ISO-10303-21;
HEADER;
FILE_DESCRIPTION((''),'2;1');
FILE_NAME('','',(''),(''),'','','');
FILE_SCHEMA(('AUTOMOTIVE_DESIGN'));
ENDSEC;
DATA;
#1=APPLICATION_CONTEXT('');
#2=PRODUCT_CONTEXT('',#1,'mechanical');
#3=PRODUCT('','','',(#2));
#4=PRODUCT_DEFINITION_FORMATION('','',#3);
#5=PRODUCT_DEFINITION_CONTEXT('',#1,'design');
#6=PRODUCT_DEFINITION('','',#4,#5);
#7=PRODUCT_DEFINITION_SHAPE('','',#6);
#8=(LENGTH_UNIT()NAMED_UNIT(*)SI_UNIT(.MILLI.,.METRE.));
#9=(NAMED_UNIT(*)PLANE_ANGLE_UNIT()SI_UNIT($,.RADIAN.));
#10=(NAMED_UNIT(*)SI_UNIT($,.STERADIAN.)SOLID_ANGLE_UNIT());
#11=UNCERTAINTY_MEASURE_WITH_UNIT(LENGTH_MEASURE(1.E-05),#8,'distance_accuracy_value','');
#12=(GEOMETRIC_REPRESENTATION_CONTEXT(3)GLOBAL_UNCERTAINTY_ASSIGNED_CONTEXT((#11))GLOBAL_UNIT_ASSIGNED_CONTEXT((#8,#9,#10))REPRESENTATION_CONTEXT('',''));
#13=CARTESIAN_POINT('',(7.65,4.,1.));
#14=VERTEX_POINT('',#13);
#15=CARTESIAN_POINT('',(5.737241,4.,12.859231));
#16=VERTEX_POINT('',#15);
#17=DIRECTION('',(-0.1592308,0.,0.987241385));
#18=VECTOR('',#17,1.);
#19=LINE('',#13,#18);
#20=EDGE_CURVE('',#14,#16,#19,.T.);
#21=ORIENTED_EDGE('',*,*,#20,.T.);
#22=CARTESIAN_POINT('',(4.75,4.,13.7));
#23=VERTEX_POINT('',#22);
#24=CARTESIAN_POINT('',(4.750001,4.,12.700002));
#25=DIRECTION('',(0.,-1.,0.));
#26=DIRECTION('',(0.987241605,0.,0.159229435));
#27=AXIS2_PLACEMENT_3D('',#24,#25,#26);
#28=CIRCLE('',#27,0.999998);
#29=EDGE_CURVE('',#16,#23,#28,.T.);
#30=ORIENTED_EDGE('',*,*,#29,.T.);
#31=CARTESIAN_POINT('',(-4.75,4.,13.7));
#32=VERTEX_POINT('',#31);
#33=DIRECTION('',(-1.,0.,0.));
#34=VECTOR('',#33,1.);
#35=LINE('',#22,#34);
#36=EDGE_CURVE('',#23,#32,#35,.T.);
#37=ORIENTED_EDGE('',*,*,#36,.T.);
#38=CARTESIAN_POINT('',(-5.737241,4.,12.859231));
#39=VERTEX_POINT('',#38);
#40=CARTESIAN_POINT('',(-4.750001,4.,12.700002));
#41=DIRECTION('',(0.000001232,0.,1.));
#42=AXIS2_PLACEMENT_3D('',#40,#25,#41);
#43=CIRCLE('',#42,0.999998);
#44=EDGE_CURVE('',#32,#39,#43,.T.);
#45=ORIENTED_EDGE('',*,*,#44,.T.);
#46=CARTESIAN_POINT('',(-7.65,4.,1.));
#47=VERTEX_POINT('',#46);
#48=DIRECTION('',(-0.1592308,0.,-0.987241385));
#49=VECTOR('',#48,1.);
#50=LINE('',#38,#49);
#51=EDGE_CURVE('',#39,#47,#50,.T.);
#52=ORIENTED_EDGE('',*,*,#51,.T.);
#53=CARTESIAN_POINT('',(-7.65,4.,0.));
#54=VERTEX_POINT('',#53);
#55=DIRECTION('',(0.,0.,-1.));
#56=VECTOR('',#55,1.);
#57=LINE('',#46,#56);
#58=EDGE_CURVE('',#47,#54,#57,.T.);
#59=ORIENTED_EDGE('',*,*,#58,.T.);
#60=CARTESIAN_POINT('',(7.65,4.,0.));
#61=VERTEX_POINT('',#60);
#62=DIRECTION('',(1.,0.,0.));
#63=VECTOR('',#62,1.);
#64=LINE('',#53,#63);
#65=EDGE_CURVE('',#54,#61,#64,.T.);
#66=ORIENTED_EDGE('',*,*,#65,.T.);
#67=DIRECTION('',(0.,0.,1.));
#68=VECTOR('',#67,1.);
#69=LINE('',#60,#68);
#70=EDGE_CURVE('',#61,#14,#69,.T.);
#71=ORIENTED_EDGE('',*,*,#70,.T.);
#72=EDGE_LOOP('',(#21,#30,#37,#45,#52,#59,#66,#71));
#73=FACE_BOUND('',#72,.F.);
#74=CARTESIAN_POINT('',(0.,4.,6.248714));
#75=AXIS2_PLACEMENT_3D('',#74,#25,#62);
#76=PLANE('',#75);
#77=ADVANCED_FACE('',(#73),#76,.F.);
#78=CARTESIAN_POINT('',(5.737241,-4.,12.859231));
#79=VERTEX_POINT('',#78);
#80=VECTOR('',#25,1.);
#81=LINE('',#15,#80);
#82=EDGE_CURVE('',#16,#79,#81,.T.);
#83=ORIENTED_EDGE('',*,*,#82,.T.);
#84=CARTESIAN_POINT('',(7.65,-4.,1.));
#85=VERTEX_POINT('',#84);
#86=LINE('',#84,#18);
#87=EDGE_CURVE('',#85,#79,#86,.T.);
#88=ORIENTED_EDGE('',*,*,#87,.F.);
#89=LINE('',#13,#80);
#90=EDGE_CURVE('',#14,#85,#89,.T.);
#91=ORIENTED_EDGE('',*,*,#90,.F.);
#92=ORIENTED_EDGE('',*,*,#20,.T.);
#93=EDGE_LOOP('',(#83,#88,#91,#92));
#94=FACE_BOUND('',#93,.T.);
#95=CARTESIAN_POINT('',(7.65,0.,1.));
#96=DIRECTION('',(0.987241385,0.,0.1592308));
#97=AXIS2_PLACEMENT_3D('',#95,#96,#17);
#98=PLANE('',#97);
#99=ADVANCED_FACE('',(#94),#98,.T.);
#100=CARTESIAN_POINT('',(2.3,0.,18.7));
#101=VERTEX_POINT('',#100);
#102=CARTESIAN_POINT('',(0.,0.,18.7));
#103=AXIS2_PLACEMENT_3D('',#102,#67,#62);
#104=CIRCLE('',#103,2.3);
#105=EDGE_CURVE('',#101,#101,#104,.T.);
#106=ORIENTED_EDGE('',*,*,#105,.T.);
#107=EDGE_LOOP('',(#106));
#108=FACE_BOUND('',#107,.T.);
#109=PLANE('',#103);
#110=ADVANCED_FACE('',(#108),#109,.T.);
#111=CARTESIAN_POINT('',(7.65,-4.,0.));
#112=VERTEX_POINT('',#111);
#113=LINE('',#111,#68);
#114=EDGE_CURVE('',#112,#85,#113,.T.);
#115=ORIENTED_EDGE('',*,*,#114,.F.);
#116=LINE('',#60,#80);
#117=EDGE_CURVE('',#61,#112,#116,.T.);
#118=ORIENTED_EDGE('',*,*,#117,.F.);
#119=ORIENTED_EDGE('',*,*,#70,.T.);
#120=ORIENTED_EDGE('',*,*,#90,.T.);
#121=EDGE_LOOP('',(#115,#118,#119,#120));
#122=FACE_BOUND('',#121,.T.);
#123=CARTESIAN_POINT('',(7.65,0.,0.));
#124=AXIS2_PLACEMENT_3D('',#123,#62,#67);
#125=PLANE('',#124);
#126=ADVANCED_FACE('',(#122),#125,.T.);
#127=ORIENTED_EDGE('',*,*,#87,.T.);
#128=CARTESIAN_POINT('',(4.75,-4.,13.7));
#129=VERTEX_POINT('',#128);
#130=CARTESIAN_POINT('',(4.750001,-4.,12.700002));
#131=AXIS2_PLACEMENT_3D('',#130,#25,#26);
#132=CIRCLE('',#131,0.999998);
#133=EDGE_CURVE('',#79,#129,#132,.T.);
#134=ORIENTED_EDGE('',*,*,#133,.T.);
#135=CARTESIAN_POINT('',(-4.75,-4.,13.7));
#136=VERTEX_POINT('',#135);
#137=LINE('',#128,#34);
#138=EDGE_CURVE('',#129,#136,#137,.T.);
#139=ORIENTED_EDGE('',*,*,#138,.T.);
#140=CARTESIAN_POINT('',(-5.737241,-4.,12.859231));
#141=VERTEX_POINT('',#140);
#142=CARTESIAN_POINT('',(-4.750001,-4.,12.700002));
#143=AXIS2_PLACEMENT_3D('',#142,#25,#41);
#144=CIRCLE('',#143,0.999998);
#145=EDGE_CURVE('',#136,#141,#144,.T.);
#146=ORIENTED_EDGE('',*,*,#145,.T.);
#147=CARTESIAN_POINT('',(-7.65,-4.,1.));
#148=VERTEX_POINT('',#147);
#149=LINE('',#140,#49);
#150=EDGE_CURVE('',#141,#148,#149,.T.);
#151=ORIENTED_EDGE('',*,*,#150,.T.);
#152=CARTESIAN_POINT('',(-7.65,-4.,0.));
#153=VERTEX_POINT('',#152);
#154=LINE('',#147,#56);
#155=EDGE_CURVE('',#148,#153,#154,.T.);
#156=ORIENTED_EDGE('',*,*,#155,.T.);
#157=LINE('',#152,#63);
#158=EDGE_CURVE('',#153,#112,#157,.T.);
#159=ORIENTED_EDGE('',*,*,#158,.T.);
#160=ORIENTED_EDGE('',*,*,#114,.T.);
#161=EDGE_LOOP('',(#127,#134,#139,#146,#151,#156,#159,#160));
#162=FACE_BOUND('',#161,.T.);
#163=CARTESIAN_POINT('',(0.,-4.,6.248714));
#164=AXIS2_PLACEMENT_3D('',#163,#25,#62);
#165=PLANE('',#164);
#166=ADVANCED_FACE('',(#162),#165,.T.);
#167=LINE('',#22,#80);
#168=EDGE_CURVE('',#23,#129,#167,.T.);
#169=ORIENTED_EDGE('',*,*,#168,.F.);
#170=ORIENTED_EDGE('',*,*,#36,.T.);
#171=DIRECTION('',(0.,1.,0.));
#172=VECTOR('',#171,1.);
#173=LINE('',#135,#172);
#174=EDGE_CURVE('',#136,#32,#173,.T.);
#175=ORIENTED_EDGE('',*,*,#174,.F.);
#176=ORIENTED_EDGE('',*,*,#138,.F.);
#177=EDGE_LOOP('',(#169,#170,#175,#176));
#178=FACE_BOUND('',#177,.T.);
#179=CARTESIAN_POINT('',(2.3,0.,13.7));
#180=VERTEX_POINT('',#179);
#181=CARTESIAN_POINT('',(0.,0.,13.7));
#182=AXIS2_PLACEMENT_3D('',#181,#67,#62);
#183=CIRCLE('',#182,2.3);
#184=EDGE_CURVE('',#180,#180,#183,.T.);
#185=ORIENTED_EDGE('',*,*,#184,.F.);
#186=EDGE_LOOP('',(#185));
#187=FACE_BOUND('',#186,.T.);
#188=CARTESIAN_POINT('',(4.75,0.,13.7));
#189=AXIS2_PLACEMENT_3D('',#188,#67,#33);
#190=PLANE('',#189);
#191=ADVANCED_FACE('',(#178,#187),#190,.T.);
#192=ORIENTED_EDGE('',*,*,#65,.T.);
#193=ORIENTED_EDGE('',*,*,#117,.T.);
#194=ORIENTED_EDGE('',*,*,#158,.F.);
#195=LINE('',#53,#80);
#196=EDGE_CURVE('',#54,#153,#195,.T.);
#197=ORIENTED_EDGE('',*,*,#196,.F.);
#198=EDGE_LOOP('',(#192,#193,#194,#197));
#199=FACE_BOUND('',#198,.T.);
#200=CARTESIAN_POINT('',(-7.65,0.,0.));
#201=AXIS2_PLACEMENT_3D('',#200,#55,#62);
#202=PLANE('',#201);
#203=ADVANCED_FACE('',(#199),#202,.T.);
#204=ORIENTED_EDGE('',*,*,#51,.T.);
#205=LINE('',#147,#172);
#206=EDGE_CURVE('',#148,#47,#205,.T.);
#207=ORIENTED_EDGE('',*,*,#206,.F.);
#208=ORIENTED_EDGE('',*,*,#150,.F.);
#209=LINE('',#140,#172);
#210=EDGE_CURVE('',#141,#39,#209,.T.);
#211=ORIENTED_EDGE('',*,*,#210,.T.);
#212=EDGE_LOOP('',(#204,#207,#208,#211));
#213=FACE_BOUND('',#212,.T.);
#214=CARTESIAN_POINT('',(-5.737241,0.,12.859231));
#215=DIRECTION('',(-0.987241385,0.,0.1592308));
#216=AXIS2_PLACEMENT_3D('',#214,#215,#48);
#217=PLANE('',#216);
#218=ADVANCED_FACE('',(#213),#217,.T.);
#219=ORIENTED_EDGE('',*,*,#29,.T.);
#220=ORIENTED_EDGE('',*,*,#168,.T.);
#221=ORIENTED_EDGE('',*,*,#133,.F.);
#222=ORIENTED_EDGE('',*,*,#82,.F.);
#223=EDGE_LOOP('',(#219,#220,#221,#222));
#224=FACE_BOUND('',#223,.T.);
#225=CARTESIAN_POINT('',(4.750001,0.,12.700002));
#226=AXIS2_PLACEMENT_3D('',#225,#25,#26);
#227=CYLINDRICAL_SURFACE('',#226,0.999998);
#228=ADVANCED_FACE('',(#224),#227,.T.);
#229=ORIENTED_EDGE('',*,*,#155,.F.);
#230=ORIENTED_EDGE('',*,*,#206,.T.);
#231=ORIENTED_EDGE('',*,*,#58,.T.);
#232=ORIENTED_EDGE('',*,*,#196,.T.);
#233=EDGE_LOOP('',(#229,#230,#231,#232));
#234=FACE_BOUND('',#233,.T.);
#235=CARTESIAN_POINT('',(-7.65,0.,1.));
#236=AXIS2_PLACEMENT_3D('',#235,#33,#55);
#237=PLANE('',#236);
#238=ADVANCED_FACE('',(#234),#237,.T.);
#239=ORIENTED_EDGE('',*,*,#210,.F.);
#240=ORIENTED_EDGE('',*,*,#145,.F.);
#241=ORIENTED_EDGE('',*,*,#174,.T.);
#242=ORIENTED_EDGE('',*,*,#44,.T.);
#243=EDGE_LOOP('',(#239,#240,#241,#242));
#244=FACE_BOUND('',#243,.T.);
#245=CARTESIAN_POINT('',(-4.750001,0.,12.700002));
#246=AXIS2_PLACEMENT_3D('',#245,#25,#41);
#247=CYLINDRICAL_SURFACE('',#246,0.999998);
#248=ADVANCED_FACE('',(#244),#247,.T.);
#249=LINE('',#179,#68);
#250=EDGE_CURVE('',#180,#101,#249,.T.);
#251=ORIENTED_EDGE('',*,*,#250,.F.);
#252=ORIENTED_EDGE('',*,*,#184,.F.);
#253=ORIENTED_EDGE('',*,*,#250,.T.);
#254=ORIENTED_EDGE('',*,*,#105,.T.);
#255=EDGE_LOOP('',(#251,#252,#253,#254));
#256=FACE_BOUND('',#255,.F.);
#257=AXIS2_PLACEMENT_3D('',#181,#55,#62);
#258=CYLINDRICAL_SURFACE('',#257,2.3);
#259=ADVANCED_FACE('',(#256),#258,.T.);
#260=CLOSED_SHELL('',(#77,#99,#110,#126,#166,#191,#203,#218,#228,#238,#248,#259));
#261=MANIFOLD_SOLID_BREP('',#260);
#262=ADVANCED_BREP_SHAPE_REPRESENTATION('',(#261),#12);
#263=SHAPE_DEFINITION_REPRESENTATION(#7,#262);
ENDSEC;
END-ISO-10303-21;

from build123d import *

# Parameters (mm, degrees)
F1_DEPTH = 4
F2_R     = 2.3
F3_DEPTH = 5


with BuildPart() as f1:
    # F0 (on Front) → F1 (new body, symmetric)
    with BuildSketch(Plane.XZ):
        with BuildLine():
            Line((-7.65, 1), (-7.65, 0))
            Line((-7.65, 0), (7.65, 0))
            Line((7.65, 0), (7.65, 1))
            Line((7.65, 1), (5.737241, 12.859231))
            ThreePointArc((5.737241, 12.859231), (5.398371, 13.461325), (4.75, 13.7))
            Line((4.75, 13.7), (-4.75, 13.7))
            ThreePointArc((-4.75, 13.7), (-5.398371, 13.461325), (-5.737241, 12.859231))
            Line((-5.737241, 12.859231), (-7.65, 1))
        make_face()
    extrude(amount=F1_DEPTH, both=True)

    # F2 (on face) → F3 (join)
    with BuildSketch(Plane.XY.offset(13.7)):
        Circle(F2_R)
    extrude(amount=F3_DEPTH)


solid = f1.part
